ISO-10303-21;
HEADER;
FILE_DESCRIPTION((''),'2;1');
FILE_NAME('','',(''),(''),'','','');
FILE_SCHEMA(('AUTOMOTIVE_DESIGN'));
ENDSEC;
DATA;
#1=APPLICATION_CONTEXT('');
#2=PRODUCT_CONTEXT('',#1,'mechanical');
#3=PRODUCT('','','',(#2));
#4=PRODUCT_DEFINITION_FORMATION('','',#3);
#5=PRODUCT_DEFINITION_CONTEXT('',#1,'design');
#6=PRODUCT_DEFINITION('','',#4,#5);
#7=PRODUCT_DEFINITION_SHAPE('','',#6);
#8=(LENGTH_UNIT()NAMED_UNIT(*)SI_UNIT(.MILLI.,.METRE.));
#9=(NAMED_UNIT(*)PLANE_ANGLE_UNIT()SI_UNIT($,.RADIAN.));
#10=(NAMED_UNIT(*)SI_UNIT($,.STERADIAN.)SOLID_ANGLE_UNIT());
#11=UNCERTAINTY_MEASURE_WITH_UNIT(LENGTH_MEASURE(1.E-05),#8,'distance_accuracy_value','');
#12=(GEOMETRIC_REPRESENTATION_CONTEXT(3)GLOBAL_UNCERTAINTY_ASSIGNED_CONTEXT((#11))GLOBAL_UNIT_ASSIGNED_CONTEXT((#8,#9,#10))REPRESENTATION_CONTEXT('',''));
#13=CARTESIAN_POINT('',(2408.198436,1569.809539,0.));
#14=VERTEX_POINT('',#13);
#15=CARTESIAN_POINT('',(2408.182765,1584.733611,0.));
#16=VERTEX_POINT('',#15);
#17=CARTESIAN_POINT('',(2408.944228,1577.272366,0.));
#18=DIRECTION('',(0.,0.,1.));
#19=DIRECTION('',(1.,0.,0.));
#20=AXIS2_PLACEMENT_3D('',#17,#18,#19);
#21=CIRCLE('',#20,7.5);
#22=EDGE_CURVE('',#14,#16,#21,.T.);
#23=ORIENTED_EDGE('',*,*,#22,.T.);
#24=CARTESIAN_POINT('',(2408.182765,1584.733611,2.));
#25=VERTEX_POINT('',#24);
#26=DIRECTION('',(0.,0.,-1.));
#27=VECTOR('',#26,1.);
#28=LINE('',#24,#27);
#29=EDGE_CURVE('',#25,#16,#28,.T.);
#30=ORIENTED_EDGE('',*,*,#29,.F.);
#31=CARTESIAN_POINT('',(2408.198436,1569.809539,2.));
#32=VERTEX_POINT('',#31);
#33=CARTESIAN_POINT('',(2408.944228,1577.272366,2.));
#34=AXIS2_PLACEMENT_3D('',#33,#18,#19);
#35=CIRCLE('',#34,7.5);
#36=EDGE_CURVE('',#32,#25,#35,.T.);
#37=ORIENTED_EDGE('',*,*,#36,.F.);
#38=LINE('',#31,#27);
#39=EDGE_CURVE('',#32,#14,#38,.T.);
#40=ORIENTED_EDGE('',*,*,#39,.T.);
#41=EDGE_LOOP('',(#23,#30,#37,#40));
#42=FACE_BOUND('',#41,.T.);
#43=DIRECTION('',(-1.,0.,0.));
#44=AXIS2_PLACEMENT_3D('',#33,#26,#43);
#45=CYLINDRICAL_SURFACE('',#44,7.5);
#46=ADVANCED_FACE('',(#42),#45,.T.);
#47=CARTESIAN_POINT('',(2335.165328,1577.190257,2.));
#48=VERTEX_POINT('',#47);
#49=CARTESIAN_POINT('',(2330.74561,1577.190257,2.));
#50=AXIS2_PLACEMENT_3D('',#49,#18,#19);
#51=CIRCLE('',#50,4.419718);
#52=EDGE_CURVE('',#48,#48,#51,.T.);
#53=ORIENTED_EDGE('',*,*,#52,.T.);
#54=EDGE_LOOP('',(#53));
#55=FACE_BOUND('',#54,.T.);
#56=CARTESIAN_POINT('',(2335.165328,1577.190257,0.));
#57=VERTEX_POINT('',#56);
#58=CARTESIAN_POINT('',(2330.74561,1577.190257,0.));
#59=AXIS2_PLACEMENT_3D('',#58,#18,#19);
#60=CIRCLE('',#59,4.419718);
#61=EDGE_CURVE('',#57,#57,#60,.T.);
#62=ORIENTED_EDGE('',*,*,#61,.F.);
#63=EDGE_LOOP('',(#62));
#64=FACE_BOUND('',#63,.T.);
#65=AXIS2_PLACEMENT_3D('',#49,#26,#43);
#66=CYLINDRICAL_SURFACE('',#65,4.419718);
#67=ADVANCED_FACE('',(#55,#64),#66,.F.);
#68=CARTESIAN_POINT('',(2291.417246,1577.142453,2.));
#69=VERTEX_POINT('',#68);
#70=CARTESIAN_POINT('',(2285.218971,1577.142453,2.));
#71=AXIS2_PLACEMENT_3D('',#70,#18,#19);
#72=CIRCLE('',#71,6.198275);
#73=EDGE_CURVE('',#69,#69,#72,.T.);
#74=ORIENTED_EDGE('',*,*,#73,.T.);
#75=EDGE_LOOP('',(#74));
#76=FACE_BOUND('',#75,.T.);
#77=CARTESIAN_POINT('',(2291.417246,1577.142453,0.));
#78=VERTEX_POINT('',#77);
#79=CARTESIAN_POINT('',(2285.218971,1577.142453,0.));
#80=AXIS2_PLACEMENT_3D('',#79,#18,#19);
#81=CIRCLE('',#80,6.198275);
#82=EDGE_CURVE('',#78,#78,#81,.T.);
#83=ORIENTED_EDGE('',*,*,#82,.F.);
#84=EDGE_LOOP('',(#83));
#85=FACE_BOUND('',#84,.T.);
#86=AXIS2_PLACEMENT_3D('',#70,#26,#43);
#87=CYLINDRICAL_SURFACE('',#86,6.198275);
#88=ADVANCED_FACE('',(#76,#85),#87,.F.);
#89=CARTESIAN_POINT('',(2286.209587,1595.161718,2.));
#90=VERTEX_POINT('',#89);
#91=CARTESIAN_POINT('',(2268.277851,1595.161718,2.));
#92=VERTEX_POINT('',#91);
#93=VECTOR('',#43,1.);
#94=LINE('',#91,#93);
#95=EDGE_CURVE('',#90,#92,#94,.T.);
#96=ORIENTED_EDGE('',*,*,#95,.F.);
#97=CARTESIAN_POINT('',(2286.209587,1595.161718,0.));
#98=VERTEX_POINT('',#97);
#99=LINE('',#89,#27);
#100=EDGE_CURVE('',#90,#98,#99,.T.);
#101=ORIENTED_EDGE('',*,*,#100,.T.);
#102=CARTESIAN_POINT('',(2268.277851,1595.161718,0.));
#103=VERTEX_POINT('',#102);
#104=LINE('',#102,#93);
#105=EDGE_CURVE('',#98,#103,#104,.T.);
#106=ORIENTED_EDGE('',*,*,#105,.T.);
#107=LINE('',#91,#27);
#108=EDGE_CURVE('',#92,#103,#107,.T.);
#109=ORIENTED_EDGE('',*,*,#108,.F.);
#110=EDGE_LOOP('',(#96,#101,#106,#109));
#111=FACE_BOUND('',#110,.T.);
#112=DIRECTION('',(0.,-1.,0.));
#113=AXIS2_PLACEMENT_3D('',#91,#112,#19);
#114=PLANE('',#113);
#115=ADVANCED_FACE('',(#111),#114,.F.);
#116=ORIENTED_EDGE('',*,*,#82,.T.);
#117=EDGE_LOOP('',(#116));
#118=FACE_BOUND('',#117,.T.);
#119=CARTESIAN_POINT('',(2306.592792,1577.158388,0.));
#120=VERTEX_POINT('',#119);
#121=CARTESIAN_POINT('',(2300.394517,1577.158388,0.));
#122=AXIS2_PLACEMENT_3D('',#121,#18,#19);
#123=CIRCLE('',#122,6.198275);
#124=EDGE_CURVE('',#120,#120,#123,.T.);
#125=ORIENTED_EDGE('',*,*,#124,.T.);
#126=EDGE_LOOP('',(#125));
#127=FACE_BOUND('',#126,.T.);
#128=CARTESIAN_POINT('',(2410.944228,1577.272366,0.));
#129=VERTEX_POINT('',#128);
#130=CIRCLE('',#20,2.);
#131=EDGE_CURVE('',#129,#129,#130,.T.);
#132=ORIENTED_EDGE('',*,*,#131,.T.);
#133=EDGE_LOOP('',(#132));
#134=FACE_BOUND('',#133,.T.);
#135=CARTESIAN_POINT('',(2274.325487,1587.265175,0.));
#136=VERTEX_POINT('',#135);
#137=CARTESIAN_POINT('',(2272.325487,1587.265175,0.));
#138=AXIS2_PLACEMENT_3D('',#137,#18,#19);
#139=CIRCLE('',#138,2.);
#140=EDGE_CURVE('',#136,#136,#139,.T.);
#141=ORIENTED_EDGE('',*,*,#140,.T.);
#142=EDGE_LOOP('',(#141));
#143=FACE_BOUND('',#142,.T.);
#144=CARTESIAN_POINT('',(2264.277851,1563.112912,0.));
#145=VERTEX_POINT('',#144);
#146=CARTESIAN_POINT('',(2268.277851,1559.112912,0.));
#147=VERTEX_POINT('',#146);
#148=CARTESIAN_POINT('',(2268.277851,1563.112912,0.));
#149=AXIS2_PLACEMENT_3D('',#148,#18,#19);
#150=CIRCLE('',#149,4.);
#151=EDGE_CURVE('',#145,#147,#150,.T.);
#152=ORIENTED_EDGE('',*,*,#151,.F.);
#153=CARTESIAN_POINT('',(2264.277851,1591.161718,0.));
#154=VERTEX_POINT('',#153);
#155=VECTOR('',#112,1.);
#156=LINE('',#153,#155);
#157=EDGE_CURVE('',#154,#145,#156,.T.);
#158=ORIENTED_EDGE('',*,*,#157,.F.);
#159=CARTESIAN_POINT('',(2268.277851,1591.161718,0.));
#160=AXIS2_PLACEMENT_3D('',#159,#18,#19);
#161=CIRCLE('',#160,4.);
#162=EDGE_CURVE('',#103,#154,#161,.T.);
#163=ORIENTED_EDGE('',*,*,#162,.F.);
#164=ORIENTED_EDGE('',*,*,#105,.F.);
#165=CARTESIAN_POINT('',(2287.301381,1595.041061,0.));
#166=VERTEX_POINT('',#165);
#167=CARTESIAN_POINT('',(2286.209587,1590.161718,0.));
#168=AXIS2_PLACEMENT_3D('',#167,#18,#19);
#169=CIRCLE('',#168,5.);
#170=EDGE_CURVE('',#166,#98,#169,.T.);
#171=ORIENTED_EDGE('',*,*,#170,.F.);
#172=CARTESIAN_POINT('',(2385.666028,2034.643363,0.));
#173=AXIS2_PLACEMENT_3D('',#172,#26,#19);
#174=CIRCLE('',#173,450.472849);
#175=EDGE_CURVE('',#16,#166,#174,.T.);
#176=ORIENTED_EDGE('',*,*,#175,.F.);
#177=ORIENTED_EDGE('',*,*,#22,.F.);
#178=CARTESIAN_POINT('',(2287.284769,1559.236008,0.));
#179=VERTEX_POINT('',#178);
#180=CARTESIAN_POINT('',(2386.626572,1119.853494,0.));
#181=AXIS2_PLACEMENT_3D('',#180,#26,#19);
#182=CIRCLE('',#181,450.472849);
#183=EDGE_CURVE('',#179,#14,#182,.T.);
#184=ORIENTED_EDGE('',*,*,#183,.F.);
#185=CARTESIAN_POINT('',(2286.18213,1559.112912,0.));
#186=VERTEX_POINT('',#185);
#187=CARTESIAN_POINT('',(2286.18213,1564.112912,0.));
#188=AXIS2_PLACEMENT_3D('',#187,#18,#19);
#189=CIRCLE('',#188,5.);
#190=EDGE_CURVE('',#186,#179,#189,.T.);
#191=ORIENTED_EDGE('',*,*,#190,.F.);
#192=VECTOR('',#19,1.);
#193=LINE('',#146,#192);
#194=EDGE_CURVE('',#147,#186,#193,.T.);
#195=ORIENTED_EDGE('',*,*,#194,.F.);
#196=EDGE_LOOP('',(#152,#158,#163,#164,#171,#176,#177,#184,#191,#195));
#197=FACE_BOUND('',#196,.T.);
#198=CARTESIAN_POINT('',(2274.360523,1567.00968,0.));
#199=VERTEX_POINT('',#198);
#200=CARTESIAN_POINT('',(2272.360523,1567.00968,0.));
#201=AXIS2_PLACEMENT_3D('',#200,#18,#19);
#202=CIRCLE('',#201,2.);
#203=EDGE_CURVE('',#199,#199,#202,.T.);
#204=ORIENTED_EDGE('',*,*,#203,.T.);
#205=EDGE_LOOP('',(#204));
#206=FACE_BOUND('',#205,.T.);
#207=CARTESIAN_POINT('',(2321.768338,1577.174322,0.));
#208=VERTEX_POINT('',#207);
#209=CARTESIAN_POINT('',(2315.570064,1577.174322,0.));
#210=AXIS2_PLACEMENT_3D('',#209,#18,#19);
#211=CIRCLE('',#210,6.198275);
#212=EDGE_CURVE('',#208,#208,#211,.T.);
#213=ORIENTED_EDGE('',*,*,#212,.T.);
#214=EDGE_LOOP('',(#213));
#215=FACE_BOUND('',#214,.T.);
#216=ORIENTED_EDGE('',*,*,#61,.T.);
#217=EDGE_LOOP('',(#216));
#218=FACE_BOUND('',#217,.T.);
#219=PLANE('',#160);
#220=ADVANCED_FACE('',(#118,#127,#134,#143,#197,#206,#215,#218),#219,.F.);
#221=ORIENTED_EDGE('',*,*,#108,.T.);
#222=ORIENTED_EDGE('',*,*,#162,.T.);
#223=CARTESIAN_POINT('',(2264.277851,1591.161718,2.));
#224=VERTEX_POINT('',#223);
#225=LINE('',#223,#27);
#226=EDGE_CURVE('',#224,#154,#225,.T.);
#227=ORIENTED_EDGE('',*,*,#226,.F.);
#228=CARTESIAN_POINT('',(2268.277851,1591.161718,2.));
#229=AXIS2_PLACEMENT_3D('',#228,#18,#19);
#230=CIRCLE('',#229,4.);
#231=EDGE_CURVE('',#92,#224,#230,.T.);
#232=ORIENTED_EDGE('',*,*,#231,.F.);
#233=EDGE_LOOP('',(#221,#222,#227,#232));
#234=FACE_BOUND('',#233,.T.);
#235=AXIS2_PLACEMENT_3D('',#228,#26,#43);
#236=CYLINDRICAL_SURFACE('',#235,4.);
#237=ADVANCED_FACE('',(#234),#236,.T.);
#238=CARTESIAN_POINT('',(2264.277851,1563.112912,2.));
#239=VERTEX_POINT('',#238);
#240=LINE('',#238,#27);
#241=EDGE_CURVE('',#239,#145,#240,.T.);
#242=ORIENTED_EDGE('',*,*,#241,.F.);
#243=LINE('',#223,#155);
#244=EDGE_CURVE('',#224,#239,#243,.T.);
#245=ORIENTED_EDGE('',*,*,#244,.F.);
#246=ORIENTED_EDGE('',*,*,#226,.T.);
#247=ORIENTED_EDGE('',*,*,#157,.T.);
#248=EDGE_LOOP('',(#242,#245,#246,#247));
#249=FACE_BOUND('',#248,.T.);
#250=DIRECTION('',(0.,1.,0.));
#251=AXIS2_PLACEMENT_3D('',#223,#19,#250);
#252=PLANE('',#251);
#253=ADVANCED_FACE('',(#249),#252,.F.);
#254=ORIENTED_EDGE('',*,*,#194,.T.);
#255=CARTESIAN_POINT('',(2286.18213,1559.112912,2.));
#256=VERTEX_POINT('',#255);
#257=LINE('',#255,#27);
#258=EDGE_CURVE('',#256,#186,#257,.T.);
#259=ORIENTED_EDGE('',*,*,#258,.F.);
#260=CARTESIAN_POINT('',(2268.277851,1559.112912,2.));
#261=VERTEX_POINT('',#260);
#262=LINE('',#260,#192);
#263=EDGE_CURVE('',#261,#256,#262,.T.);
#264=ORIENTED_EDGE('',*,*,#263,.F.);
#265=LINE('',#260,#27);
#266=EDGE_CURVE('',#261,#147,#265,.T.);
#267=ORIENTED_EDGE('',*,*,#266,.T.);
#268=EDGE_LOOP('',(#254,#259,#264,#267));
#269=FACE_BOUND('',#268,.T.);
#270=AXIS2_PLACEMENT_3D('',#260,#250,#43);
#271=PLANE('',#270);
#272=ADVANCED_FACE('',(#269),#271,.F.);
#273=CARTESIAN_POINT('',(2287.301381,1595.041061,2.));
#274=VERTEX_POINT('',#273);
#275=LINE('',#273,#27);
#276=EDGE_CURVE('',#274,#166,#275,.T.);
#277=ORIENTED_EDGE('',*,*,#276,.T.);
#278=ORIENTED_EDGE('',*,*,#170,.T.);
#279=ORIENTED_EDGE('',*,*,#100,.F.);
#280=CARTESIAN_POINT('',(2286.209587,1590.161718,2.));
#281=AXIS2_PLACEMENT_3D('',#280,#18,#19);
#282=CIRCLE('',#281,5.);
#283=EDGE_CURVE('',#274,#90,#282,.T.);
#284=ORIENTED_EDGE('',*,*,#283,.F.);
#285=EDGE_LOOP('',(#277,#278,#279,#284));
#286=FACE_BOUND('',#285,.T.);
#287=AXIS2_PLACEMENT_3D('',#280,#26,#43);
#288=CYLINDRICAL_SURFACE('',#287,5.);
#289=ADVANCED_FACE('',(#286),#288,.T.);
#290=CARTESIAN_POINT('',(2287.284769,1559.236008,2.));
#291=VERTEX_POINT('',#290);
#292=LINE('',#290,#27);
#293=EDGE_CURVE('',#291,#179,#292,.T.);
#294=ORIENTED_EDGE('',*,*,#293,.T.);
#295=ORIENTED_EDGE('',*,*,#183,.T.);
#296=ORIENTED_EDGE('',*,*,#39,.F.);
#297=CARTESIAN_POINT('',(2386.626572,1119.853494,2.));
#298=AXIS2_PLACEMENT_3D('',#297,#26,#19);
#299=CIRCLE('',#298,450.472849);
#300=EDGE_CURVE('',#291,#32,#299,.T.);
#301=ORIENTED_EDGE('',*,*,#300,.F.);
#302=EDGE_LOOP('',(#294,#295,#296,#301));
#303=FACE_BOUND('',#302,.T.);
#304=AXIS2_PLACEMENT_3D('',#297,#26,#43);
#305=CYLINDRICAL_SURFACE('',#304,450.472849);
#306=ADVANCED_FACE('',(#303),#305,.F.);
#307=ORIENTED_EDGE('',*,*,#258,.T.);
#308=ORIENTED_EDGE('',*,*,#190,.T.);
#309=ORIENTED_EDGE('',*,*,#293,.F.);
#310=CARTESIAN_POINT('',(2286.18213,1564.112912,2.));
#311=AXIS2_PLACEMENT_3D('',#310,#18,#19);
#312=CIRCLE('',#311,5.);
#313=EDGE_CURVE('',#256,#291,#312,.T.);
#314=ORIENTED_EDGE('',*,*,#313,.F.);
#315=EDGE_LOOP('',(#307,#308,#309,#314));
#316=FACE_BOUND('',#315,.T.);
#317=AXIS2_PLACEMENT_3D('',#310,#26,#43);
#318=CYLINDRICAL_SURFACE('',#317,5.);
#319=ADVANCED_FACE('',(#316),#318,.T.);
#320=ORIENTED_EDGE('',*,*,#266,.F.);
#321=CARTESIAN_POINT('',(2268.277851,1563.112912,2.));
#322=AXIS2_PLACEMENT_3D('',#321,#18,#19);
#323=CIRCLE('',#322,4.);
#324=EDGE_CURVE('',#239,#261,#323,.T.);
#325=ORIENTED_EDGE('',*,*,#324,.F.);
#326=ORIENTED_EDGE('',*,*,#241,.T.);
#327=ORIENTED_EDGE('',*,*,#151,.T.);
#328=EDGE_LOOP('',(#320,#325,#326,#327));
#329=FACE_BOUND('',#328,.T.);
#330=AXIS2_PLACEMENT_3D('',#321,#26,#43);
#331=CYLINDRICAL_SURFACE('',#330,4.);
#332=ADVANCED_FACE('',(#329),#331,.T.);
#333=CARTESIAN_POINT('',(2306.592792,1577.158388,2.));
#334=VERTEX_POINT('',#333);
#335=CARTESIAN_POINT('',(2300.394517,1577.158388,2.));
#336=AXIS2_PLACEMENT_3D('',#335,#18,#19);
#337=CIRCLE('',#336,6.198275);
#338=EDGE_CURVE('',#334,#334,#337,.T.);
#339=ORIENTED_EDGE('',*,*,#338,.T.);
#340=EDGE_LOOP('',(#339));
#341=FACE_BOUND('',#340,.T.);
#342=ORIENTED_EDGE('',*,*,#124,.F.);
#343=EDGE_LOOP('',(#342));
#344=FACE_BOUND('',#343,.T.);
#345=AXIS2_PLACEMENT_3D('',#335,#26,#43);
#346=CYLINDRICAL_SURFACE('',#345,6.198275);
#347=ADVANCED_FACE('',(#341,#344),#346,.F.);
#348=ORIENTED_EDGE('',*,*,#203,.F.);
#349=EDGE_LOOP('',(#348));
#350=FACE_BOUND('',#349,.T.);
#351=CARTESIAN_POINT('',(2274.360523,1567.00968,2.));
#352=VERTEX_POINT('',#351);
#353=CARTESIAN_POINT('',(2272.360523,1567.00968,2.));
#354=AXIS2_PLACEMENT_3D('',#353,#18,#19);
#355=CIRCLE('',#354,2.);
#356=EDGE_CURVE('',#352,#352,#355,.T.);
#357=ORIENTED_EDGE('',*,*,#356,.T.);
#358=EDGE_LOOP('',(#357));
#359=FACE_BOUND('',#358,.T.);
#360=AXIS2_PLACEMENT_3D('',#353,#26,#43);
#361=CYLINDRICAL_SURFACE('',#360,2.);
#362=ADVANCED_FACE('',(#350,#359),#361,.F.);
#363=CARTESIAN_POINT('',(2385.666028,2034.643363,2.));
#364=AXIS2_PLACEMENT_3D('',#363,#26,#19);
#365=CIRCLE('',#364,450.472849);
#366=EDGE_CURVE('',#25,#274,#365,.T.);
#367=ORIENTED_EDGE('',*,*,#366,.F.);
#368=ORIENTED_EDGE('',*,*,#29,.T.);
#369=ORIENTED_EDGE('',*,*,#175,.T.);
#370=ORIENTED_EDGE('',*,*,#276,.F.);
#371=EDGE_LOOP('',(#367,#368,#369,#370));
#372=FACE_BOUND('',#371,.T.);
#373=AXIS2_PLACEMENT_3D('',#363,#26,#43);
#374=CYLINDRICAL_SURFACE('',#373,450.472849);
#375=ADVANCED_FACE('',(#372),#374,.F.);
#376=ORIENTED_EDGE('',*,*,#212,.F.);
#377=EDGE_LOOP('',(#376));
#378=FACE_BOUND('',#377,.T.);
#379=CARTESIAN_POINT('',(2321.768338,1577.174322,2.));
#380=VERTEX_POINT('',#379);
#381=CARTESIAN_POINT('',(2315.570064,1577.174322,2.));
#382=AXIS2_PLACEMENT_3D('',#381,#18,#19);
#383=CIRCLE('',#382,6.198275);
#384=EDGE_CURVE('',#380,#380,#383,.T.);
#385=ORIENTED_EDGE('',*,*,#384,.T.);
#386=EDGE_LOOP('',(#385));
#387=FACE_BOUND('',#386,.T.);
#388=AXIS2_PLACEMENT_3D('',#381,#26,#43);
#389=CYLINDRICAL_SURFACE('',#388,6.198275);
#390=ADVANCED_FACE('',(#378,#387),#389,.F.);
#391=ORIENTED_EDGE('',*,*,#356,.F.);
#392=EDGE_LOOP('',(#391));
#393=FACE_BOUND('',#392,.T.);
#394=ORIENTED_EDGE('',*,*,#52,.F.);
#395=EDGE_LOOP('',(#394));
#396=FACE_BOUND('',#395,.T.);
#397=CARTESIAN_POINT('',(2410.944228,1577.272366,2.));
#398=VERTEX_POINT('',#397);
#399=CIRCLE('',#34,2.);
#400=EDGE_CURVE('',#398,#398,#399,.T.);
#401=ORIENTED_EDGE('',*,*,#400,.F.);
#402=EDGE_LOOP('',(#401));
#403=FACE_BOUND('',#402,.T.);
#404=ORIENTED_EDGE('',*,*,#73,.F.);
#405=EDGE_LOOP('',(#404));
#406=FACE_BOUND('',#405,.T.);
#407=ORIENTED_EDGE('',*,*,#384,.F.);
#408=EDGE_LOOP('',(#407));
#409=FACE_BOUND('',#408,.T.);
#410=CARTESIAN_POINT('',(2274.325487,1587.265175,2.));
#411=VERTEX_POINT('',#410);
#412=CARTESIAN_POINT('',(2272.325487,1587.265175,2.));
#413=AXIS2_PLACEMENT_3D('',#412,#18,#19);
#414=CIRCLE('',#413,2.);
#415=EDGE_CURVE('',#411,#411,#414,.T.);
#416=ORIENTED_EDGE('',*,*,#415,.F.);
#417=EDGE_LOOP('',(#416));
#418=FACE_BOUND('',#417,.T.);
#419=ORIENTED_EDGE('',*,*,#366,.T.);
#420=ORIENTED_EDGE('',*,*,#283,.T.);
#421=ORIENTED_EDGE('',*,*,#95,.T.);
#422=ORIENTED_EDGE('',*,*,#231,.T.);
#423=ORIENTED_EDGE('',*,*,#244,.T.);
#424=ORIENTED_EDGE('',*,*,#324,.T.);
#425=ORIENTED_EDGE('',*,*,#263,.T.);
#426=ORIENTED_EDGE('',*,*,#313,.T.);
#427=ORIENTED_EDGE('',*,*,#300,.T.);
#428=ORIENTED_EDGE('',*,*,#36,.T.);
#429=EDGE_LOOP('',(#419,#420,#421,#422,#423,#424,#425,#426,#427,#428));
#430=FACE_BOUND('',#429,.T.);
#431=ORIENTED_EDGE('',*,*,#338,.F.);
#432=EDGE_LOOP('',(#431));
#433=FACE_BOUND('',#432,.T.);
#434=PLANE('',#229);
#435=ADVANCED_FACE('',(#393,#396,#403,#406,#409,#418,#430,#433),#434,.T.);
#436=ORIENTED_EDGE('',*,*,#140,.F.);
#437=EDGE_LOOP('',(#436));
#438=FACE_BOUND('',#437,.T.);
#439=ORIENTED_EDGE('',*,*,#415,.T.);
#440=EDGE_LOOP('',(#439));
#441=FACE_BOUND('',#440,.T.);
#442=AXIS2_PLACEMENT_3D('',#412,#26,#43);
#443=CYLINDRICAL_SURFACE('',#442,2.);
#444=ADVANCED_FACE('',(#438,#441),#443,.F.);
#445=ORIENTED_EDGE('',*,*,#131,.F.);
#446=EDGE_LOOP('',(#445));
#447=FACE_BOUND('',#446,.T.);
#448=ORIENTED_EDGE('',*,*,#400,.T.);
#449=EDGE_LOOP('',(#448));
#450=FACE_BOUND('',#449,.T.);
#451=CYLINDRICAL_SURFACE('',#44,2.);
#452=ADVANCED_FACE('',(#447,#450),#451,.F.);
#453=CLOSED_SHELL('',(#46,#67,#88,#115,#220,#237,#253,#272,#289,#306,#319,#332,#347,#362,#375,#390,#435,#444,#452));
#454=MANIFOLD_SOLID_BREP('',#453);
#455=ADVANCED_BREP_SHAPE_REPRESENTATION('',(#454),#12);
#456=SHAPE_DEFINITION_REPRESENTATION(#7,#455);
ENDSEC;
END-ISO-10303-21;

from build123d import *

# Parameters (mm, degrees)
CROQUIS1_R              = 2
CROQUIS1_R_2            = 6.198274882
CROQUIS1_R_3            = 4.419717803
SALIENTE_EXTRUIR1_DEPTH = 2


with BuildPart() as part:
    # Croquis1 → Saliente-Extruir1 (new body)
    with BuildSketch(Plane.XY):
        with BuildLine():
            Line((2268.277850574, 1595.161717739), (2286.209587358, 1595.161717739))
            ThreePointArc((2286.209587358, 1595.161717739), (2286.758807426, 1595.131461929), (2287.301380655, 1595.041060665))
            ThreePointArc((2287.301380655, 1595.041060665), (2347.39348888, 1585.799291159), (2408.182765081, 1584.733611347))
            ThreePointArc((2408.182765081, 1584.733611347), (2416.444223404, 1577.280241595), (2408.198435589, 1569.809538977))
            ThreePointArc((2408.198435589, 1569.809538977), (2347.38385613, 1568.613783021), (2287.284769189, 1559.236008449))
            ThreePointArc((2287.284769189, 1559.236008449), (2286.73687453, 1559.143781296), (2286.18213001, 1559.112911855))
            Line((2286.18213001, 1559.112911855), (2268.277850574, 1559.112911855))
            ThreePointArc((2268.277850574, 1559.112911855), (2265.449423449, 1560.284484731), (2264.277850574, 1563.112911855))
            Line((2264.277850574, 1563.112911855), (2264.277850574, 1591.161717739))
            ThreePointArc((2264.277850574, 1591.161717739), (2265.449423449, 1593.990144863), (2268.277850574, 1595.161717739))
        make_face()
        with Locations((2272.325487006, 1587.265174947)):
            Circle(CROQUIS1_R, mode=Mode.SUBTRACT)
        with Locations((2408.944227539, 1577.272366482)):
            Circle(CROQUIS1_R, mode=Mode.SUBTRACT)
        with Locations((2272.360522717, 1567.00968004)):
            Circle(CROQUIS1_R, mode=Mode.SUBTRACT)
        with Locations((2285.218970732, 1577.142453031)):
            Circle(CROQUIS1_R_2, mode=Mode.SUBTRACT)
        with Locations((2300.394517149, 1577.158387592)):
            Circle(CROQUIS1_R_2, mode=Mode.SUBTRACT)
        with Locations((2315.570063567, 1577.174322153)):
            Circle(CROQUIS1_R_2, mode=Mode.SUBTRACT)
        with Locations((2330.745609984, 1577.190256713)):
            Circle(CROQUIS1_R_3, mode=Mode.SUBTRACT)
    extrude(amount=SALIENTE_EXTRUIR1_DEPTH)


solid = part.part
